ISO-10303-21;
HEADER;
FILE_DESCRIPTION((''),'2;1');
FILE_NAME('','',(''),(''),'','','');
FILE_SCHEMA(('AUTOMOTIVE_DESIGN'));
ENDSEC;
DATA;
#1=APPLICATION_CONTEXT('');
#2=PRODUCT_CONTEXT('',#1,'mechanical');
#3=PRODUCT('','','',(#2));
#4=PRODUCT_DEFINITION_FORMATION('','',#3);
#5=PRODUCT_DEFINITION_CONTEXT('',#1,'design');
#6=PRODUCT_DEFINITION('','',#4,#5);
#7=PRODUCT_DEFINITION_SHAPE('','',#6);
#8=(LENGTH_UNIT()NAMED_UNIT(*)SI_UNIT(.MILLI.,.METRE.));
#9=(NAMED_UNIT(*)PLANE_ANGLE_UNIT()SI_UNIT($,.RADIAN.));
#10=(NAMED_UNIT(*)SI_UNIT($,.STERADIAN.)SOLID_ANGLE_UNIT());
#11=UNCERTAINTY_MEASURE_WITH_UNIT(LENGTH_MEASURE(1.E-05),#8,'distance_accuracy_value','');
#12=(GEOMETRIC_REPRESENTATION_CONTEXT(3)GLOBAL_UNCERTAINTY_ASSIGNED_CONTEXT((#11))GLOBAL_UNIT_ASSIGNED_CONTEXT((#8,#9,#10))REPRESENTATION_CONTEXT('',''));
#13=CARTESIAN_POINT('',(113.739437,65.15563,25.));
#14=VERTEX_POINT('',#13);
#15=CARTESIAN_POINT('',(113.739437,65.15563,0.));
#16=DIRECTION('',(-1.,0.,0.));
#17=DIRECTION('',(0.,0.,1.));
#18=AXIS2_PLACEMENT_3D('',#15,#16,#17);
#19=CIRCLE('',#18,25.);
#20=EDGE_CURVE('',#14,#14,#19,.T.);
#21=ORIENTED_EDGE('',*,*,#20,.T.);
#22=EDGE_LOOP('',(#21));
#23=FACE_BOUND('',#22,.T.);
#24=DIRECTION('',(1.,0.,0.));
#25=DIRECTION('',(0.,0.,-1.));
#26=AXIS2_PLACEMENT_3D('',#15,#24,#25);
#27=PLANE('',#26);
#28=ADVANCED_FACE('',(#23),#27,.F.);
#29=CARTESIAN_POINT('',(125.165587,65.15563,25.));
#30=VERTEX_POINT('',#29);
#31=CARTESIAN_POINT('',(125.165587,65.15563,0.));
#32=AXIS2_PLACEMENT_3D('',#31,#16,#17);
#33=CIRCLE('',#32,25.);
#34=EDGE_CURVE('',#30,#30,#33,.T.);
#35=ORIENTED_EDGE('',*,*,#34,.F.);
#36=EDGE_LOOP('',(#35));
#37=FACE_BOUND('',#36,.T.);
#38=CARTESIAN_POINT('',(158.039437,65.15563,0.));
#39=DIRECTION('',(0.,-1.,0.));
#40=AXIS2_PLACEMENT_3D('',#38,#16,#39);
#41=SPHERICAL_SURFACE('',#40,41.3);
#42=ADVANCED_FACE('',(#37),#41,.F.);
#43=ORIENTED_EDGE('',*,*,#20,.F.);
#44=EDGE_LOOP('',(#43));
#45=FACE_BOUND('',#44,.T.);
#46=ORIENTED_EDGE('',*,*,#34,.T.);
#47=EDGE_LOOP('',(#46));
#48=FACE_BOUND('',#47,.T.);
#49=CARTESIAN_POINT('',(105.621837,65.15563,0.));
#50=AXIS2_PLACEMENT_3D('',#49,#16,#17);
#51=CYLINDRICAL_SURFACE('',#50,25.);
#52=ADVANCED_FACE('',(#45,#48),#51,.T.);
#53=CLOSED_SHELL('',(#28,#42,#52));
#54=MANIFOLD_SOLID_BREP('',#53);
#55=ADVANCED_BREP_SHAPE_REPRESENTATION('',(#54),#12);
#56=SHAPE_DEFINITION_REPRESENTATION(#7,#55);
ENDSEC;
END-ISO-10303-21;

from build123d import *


with BuildPart() as part:
    # 草图1 → 旋转1 (revolve)
    with BuildSketch(Plane.XY, mode=Mode.PRIVATE) as revolve_1_sk:
        with BuildLine():
            Line((113.739437135, 65.155630457), (113.739437135, 90.155630457))
            Line((113.739437135, 90.155630457), (125.165587345, 90.155630457))
            ThreePointArc((125.165587345, 90.155630457), (118.902625842, 78.346536485), (116.739437135, 65.155630457))
            Line((116.739437135, 65.155630457), (113.739437135, 65.155630457))
        make_face()
    revolve(revolve_1_sk.sketch.rotate(Axis((105.621837124, 65.155630457, 0), (1, 0, 0)), 180), axis=Axis((105.621837124, 65.155630457, 0), (1, 0, 0)))  # turned: the seam where the file's is


solid = part.part
